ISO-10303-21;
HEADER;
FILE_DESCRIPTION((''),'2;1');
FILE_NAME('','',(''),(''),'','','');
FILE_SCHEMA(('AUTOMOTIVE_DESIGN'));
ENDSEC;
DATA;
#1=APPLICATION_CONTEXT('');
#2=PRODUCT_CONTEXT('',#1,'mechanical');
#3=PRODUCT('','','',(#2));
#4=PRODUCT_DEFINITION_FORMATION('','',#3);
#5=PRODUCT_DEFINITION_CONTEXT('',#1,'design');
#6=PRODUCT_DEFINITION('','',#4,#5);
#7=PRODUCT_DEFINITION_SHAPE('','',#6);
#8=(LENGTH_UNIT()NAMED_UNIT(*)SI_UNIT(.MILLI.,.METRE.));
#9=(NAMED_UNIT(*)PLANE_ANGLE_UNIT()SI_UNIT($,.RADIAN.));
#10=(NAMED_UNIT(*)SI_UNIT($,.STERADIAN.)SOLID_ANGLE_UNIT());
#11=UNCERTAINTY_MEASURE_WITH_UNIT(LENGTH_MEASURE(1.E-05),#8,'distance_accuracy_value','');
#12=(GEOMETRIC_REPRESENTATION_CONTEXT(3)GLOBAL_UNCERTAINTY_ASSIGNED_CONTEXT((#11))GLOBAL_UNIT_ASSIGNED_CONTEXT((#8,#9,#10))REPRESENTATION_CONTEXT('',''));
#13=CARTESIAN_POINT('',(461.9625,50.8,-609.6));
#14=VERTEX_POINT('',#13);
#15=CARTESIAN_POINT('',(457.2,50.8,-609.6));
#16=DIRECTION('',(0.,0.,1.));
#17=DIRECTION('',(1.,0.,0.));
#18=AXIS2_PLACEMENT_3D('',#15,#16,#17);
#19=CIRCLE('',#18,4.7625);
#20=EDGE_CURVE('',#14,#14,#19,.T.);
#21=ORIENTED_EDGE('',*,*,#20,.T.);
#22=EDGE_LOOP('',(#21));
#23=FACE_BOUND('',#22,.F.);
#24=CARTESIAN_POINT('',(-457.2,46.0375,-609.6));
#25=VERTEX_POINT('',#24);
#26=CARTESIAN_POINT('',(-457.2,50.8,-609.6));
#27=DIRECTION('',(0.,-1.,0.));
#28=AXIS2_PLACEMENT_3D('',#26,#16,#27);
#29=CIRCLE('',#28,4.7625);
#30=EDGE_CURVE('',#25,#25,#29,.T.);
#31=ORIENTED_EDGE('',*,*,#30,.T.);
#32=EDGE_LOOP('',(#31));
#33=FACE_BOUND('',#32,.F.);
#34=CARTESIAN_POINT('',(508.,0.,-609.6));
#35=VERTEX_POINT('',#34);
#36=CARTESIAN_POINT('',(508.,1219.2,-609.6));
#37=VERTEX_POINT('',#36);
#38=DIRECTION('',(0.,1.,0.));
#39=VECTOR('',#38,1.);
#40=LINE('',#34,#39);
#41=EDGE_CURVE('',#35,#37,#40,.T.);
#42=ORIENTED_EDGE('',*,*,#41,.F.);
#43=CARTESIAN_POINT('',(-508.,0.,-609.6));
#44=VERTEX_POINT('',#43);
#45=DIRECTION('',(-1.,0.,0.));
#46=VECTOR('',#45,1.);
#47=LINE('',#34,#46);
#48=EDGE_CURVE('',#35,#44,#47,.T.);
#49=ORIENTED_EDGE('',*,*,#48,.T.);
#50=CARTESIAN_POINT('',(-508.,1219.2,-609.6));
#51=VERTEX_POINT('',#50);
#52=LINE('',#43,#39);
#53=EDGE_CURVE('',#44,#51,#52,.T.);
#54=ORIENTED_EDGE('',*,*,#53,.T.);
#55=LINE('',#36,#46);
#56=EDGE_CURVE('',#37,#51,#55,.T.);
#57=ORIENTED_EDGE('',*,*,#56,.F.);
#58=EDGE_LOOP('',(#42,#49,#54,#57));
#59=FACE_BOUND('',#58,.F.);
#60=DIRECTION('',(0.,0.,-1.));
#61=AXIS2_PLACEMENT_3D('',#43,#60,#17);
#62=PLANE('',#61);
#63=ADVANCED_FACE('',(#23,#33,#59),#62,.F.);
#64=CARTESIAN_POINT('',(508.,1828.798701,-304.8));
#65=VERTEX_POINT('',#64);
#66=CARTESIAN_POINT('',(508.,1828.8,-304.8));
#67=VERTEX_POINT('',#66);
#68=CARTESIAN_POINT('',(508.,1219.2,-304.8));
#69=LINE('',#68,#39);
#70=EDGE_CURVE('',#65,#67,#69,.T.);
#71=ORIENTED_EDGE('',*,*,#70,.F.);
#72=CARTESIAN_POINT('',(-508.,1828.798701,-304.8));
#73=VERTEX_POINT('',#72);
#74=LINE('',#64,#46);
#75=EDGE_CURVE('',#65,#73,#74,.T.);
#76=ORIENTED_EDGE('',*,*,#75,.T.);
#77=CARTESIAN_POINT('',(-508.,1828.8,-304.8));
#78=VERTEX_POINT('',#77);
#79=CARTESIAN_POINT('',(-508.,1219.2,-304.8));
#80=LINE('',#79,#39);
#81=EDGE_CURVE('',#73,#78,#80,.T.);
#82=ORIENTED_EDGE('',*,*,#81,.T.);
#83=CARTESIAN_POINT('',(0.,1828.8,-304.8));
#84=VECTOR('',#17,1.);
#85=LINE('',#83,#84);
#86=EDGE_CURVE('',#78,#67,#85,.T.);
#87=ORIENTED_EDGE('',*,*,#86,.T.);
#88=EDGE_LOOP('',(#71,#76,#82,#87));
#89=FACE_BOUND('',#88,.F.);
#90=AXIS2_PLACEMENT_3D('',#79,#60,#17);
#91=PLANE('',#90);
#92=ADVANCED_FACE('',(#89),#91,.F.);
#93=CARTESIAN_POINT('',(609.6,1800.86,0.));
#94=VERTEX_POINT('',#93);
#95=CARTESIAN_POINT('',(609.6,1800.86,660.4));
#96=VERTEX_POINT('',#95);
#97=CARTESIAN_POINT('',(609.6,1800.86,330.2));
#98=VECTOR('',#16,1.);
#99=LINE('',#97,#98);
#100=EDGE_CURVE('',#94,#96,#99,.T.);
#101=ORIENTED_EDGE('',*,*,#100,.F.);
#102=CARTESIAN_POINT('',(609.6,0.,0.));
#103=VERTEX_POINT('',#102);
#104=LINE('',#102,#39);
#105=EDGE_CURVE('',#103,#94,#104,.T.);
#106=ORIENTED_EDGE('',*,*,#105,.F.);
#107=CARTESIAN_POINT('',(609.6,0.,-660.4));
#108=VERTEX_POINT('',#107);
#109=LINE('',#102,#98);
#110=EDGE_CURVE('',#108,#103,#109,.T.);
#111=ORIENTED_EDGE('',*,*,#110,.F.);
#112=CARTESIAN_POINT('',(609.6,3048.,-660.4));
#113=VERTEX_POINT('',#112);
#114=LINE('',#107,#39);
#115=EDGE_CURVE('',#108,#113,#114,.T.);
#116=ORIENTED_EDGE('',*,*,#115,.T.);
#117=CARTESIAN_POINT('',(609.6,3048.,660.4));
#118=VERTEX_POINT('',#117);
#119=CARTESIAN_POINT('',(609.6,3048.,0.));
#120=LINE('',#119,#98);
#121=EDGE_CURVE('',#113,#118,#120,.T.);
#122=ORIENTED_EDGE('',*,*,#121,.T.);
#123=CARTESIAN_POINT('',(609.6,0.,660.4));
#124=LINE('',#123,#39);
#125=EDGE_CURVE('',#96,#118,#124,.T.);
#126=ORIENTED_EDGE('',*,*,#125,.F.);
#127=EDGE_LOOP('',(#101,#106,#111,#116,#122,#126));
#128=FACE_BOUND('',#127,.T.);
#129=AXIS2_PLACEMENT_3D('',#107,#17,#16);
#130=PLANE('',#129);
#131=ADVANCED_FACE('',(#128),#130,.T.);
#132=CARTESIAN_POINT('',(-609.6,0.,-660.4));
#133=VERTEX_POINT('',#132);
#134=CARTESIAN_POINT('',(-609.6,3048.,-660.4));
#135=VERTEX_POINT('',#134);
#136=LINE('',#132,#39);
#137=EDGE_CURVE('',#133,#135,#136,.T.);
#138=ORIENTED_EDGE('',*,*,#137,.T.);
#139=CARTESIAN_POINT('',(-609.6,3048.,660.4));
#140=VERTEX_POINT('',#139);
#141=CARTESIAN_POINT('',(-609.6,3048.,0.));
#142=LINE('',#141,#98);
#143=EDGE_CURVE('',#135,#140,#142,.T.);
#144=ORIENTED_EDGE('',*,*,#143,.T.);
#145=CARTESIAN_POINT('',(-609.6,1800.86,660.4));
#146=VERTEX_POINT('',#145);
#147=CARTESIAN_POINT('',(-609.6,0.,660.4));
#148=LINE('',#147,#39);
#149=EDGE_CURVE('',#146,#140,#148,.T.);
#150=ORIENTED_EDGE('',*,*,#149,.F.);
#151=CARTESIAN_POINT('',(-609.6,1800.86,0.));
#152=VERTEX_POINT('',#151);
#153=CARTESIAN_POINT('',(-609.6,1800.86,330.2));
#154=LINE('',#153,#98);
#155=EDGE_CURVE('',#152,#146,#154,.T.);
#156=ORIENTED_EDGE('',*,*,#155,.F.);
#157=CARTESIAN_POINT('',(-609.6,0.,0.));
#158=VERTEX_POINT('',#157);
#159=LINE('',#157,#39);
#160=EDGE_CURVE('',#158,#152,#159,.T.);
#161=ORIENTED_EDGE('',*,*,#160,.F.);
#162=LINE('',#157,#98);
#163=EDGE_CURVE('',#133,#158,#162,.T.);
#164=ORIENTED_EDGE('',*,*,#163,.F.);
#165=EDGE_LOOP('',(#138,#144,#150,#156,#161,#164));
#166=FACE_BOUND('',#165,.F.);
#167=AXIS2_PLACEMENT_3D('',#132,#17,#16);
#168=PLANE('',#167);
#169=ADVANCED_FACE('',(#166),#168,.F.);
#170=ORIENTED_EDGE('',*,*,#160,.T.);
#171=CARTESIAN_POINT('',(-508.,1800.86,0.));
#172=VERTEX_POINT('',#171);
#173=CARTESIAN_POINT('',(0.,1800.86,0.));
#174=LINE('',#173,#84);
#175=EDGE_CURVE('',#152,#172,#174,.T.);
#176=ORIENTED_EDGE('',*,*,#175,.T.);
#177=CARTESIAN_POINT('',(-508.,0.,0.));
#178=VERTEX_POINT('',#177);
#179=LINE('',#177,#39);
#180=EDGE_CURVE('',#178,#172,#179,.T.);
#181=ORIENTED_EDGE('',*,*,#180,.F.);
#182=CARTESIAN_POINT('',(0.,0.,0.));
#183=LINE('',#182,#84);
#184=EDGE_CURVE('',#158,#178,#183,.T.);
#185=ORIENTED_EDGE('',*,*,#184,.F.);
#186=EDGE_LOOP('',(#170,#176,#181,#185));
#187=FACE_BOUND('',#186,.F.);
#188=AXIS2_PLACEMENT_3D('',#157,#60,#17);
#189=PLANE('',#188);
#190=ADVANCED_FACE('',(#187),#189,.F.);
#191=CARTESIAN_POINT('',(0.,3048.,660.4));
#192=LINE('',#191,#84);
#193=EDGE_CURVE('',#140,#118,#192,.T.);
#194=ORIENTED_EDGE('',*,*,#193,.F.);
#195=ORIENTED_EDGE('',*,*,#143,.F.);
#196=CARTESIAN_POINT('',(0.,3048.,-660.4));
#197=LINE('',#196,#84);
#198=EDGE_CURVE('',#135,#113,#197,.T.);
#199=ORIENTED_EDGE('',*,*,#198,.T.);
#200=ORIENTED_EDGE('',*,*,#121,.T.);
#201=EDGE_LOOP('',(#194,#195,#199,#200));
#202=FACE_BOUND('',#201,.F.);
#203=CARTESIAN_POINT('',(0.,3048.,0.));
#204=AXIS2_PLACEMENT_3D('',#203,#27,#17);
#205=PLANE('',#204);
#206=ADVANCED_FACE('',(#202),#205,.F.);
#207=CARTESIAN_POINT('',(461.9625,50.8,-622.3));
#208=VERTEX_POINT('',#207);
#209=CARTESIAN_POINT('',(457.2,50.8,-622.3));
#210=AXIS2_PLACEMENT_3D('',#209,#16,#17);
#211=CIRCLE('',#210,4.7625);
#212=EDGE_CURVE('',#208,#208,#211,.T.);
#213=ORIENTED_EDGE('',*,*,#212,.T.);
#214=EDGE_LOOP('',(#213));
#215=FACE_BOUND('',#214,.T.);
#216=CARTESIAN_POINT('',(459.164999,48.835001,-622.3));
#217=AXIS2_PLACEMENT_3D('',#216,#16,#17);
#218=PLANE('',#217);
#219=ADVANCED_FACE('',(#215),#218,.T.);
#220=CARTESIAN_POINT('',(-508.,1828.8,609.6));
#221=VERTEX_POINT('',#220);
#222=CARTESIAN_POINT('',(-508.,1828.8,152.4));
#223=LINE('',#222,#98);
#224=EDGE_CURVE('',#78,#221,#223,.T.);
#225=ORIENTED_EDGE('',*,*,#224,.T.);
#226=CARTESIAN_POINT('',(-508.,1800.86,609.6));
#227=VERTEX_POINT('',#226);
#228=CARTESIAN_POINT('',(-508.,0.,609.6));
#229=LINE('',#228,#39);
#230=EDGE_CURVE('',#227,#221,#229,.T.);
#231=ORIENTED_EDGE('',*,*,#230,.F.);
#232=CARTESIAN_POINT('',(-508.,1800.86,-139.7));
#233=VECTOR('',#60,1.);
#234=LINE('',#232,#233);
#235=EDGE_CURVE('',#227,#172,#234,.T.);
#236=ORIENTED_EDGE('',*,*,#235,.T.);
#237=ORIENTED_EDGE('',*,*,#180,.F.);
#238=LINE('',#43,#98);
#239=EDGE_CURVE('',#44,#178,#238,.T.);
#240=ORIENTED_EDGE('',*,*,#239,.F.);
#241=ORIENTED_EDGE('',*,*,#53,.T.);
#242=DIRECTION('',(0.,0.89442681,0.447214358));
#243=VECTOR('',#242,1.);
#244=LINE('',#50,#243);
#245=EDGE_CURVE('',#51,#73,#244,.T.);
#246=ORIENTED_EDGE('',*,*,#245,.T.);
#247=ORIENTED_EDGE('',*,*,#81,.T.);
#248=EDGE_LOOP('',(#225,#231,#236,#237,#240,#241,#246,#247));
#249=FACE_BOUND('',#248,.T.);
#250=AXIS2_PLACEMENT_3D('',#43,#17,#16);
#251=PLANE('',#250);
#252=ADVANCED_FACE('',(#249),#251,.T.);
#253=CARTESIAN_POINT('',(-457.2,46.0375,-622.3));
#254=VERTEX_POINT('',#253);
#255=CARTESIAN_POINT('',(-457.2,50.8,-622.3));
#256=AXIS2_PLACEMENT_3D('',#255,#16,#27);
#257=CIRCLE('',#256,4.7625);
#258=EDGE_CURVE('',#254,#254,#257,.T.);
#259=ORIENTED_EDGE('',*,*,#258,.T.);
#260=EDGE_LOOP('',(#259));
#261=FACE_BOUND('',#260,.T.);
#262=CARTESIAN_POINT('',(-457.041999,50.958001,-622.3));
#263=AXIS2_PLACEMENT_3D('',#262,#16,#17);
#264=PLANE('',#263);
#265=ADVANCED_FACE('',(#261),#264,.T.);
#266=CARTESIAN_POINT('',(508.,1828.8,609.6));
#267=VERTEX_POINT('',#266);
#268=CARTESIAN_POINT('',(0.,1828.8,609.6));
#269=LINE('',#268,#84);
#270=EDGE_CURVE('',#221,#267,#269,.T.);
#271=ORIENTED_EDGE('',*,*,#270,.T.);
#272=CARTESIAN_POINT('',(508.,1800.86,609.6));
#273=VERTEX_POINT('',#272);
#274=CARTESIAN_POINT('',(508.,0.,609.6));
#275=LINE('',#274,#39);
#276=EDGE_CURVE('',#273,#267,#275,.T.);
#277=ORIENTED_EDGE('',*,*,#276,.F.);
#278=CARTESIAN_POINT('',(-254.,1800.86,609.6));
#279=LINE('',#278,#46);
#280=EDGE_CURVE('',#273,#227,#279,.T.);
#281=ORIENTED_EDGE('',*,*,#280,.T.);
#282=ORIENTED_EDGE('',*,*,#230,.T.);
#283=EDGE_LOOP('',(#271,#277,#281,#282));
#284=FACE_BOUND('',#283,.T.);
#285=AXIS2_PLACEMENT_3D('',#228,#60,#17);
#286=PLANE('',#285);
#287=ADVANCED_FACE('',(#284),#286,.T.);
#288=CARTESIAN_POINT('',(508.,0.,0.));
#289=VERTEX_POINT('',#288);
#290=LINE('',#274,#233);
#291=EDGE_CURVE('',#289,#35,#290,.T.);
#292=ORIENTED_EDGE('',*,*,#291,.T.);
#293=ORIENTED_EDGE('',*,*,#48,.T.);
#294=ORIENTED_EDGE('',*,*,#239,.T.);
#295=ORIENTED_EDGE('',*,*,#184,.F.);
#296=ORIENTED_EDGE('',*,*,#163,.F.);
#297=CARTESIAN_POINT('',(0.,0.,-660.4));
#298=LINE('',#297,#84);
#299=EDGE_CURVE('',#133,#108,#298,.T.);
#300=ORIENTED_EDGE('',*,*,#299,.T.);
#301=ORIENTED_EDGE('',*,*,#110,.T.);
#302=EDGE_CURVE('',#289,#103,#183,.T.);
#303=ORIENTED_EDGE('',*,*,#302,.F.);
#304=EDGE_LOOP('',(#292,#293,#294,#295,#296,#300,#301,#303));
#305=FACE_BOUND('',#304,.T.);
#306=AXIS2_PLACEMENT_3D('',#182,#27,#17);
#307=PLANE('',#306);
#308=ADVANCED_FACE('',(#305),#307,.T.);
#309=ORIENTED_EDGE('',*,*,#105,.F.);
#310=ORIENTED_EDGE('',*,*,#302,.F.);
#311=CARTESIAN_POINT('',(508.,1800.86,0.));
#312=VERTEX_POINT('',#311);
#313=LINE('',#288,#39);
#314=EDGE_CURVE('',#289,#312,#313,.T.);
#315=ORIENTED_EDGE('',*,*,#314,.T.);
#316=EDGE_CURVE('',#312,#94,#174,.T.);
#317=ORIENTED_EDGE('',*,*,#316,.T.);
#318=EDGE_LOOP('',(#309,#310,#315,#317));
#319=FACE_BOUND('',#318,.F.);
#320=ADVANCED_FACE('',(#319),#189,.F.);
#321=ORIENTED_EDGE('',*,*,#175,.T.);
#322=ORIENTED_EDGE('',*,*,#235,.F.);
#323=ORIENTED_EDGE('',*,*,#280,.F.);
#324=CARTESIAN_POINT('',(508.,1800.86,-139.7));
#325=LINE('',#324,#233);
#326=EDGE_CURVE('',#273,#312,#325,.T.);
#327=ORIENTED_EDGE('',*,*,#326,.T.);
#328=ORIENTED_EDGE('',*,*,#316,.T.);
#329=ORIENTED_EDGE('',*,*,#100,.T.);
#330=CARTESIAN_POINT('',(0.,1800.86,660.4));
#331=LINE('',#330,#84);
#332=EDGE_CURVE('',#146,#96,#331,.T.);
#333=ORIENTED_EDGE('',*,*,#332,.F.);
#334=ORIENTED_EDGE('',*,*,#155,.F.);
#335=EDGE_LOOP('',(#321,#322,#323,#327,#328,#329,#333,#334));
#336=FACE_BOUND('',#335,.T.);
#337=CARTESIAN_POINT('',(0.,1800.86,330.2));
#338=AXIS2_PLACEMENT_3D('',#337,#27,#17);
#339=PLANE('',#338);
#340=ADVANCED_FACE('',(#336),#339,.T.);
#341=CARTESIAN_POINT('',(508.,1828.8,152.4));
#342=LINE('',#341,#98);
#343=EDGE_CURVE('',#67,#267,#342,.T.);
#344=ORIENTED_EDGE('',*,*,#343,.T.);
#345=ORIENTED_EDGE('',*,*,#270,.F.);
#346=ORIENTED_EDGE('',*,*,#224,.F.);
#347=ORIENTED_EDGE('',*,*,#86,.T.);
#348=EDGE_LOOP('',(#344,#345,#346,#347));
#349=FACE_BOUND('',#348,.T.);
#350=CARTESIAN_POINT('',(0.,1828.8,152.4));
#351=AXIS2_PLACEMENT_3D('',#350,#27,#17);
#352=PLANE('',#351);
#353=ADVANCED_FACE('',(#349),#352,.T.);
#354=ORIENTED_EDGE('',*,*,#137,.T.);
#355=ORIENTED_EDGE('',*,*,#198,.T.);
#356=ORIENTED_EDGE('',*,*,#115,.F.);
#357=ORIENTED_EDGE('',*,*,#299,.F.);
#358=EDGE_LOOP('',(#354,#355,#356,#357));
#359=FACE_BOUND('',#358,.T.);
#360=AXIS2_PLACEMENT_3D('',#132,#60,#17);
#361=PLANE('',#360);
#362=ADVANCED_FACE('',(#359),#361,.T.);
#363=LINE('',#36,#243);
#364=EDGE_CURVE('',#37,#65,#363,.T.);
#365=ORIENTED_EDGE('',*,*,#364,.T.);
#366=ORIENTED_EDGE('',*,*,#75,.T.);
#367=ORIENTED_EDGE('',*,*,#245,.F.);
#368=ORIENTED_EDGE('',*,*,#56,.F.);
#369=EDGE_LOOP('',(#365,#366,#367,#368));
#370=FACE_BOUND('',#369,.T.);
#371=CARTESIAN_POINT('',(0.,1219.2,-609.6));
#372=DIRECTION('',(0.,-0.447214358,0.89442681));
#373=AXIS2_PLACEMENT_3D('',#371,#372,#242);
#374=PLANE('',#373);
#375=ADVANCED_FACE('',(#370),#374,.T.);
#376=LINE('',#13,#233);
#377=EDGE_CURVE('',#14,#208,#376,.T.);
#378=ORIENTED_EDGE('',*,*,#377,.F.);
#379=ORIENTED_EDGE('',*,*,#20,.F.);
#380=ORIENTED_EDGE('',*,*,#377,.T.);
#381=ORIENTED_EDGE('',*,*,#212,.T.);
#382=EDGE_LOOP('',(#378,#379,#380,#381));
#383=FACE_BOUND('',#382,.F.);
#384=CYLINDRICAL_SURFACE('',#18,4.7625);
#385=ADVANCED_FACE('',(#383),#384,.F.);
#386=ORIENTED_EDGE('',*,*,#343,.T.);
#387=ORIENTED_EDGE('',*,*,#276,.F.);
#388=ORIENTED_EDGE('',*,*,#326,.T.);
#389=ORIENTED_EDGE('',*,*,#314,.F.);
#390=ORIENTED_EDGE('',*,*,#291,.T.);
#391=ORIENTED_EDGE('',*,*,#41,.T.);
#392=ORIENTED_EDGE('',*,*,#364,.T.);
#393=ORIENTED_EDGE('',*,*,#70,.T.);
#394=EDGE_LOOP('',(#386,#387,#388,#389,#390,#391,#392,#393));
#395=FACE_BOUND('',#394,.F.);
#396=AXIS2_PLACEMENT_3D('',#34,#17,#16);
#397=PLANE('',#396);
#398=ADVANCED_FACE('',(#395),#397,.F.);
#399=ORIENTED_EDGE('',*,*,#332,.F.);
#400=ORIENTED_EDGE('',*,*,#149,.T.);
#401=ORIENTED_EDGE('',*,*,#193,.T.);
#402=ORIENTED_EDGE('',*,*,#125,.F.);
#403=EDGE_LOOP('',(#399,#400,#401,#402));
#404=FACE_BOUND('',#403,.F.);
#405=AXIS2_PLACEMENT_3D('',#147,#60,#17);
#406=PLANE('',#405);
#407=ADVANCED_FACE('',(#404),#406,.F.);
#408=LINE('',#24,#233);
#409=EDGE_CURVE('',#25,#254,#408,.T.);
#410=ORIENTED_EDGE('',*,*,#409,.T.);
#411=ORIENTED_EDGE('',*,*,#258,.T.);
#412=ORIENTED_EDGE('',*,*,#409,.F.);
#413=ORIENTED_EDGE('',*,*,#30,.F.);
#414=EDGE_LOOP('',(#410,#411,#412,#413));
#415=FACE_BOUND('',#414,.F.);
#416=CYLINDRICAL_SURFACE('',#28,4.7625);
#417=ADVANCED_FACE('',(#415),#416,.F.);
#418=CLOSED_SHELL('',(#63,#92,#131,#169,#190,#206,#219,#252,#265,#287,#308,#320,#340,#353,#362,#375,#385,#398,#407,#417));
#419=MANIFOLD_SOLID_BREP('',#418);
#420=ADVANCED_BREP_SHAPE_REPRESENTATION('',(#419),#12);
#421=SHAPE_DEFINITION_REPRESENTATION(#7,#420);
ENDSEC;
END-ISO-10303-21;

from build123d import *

# Parameters (mm, degrees)
F0_W          = 1219.2
F0_H          = 1320.8
F1_DEPTH      = 3048
F2_W          = 1016
F2_H          = 1219.2
F3_DEPTH      = 1219.2
F4_W          = 1016
F4_H          = 914.4
F5_DEPTH      = 609.6
F8_DEPTH      = 508
F8_DEPTH_BACK = 508
F9_W          = 1219.2
F9_H          = 660.4
F10_DEPTH     = 1800.86
F12_DEPTH     = 12.7


with BuildPart() as f1:
    # F0 (on Front) → F1 (new body)
    with BuildSketch(Plane.XZ):
        Rectangle(F0_W, F0_H)
    extrude(amount=-F1_DEPTH)

    # F2 (on face) → F3 (cut)
    with BuildSketch(Plane.XZ):
        Rectangle(F2_W, F2_H)
    extrude(amount=-F3_DEPTH, mode=Mode.SUBTRACT)

    # F4 (on face) → F5 (cut)
    with BuildSketch(Plane.XZ.offset(-1219.2)):
        with Locations((0, 152.4)):
            Rectangle(F4_W, F4_H)
    extrude(amount=-F5_DEPTH, mode=Mode.SUBTRACT)

    # F7 (on mid) → F8 (cut, two sides)
    with BuildSketch(Plane.YZ) as f8_sk:
        Polygon((1828.7993829124, 0), (0, 0), (0, -609.6), (1219.2, -609.6), (1828.7993829124, -304.7996592282), align=None)
    extrude(amount=-F8_DEPTH, mode=Mode.SUBTRACT)
    extrude(f8_sk.sketch, amount=F8_DEPTH_BACK, mode=Mode.SUBTRACT)

    # F9 (on face) → F10 (cut)
    with BuildSketch(Plane.XZ):
        with Locations((0, 330.2)):
            Rectangle(F9_W, F9_H)
    extrude(amount=-F10_DEPTH, mode=Mode.SUBTRACT)

    # F11 (on face) → F12 (cut)
    with BuildSketch(Plane.XY.offset(-609.6)):
        with BuildLine():
            Line((-457.2, 50.8), (-457.2, 46.0375))
            ThreePointArc((-457.2, 46.0375), (-453.8324039546, 47.4324039546), (-452.4375, 50.8))
            ThreePointArc((-452.4375, 50.8), (-457.2, 55.5625), (-461.9625, 50.8))
            Line((-461.9625, 50.8), (-457.2, 50.8))
        make_face()
        with BuildLine():
            ThreePointArc((-461.9625, 50.8), (-460.5675960454, 47.4324039546), (-457.2, 46.0375))
            Line((-457.2, 46.0375), (-457.2, 50.8))
            Line((-457.2, 50.8), (-461.9625, 50.8))
        make_face()
        with BuildLine():
            Line((457.2, 50.8), (457.2, 46.0375))
            ThreePointArc((457.2, 46.0375), (460.5675960454, 47.4324039546), (461.9625, 50.8))
            Line((461.9625, 50.8), (457.2, 50.8))
        make_face()
        with BuildLine():
            ThreePointArc((461.9625, 50.8), (453.8324039546, 54.1675960454), (457.2, 46.0375))
            Line((457.2, 46.0375), (457.2, 50.8))
            Line((457.2, 50.8), (461.9625, 50.8))
        make_face()
    extrude(amount=-F12_DEPTH, mode=Mode.SUBTRACT)


solid = f1.part
